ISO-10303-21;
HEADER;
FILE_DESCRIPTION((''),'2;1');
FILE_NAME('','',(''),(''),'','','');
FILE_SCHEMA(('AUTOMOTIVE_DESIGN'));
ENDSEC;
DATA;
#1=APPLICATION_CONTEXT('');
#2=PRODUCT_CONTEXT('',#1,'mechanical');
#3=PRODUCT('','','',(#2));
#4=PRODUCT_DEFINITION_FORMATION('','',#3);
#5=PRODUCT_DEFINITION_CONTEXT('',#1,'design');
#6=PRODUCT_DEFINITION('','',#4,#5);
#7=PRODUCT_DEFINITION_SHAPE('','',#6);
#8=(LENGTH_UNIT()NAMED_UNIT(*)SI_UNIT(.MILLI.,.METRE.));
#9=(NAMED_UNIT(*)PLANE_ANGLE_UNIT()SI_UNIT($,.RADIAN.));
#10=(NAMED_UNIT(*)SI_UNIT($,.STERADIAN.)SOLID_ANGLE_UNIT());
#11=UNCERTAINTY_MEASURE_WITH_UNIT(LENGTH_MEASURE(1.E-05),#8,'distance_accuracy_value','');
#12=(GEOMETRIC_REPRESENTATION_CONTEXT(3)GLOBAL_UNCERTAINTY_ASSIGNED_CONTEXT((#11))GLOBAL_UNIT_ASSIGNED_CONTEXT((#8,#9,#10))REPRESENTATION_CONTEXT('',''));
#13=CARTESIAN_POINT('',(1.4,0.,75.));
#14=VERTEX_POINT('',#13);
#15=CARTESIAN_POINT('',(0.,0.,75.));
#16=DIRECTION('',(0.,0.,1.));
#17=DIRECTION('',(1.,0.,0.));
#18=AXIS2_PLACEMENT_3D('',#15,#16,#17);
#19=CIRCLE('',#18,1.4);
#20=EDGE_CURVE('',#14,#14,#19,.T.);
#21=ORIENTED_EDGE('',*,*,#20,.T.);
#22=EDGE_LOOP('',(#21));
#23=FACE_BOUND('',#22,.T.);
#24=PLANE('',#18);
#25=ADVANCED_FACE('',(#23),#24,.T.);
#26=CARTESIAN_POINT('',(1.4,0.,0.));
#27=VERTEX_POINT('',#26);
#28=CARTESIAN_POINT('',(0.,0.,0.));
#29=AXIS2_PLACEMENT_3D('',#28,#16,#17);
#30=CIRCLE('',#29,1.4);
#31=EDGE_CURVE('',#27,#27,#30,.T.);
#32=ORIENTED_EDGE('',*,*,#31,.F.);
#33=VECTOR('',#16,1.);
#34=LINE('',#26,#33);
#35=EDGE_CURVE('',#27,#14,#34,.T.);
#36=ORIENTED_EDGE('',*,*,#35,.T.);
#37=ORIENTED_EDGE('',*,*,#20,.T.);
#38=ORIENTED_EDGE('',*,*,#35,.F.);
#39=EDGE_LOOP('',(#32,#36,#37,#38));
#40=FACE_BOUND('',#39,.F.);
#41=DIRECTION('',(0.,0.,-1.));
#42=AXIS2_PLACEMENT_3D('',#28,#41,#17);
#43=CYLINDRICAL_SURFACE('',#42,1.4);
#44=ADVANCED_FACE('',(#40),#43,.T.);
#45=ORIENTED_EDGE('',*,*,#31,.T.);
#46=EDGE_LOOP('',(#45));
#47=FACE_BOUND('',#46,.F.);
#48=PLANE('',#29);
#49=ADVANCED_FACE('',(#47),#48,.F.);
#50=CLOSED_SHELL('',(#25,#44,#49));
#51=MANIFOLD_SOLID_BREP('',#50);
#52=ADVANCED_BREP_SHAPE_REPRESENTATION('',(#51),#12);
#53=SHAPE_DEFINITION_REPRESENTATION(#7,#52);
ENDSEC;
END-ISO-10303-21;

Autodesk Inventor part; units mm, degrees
ref_plane "YZ Plane" through (0, 0, 0) normal (1, 0, 0) x (0, 1, 0)
ref_plane "XZ Plane" through (0, 0, 0) normal (0, 1, 0) x (-1, 0, 0)
ref_plane "XY Plane" through (0, 0, 0) normal (0, 0, 1) x (1, 0, 0)
sketch "Skizze1" plane through (0, 0, 0) normal (0, 0, 1) x (1, 0, 0)
  circle A0 centre (0, 0) radius 1.4
  dimension "d0" = 2.8
extrude "Extrusion1" add sketch "Skizze1" along normal blind 75
thread "Gewinde1" size "M3x0.5" class "6g" standard "ANSI Metric M Profile" full length
properties part number "00_M3_Threaded_Rod_75mm"
